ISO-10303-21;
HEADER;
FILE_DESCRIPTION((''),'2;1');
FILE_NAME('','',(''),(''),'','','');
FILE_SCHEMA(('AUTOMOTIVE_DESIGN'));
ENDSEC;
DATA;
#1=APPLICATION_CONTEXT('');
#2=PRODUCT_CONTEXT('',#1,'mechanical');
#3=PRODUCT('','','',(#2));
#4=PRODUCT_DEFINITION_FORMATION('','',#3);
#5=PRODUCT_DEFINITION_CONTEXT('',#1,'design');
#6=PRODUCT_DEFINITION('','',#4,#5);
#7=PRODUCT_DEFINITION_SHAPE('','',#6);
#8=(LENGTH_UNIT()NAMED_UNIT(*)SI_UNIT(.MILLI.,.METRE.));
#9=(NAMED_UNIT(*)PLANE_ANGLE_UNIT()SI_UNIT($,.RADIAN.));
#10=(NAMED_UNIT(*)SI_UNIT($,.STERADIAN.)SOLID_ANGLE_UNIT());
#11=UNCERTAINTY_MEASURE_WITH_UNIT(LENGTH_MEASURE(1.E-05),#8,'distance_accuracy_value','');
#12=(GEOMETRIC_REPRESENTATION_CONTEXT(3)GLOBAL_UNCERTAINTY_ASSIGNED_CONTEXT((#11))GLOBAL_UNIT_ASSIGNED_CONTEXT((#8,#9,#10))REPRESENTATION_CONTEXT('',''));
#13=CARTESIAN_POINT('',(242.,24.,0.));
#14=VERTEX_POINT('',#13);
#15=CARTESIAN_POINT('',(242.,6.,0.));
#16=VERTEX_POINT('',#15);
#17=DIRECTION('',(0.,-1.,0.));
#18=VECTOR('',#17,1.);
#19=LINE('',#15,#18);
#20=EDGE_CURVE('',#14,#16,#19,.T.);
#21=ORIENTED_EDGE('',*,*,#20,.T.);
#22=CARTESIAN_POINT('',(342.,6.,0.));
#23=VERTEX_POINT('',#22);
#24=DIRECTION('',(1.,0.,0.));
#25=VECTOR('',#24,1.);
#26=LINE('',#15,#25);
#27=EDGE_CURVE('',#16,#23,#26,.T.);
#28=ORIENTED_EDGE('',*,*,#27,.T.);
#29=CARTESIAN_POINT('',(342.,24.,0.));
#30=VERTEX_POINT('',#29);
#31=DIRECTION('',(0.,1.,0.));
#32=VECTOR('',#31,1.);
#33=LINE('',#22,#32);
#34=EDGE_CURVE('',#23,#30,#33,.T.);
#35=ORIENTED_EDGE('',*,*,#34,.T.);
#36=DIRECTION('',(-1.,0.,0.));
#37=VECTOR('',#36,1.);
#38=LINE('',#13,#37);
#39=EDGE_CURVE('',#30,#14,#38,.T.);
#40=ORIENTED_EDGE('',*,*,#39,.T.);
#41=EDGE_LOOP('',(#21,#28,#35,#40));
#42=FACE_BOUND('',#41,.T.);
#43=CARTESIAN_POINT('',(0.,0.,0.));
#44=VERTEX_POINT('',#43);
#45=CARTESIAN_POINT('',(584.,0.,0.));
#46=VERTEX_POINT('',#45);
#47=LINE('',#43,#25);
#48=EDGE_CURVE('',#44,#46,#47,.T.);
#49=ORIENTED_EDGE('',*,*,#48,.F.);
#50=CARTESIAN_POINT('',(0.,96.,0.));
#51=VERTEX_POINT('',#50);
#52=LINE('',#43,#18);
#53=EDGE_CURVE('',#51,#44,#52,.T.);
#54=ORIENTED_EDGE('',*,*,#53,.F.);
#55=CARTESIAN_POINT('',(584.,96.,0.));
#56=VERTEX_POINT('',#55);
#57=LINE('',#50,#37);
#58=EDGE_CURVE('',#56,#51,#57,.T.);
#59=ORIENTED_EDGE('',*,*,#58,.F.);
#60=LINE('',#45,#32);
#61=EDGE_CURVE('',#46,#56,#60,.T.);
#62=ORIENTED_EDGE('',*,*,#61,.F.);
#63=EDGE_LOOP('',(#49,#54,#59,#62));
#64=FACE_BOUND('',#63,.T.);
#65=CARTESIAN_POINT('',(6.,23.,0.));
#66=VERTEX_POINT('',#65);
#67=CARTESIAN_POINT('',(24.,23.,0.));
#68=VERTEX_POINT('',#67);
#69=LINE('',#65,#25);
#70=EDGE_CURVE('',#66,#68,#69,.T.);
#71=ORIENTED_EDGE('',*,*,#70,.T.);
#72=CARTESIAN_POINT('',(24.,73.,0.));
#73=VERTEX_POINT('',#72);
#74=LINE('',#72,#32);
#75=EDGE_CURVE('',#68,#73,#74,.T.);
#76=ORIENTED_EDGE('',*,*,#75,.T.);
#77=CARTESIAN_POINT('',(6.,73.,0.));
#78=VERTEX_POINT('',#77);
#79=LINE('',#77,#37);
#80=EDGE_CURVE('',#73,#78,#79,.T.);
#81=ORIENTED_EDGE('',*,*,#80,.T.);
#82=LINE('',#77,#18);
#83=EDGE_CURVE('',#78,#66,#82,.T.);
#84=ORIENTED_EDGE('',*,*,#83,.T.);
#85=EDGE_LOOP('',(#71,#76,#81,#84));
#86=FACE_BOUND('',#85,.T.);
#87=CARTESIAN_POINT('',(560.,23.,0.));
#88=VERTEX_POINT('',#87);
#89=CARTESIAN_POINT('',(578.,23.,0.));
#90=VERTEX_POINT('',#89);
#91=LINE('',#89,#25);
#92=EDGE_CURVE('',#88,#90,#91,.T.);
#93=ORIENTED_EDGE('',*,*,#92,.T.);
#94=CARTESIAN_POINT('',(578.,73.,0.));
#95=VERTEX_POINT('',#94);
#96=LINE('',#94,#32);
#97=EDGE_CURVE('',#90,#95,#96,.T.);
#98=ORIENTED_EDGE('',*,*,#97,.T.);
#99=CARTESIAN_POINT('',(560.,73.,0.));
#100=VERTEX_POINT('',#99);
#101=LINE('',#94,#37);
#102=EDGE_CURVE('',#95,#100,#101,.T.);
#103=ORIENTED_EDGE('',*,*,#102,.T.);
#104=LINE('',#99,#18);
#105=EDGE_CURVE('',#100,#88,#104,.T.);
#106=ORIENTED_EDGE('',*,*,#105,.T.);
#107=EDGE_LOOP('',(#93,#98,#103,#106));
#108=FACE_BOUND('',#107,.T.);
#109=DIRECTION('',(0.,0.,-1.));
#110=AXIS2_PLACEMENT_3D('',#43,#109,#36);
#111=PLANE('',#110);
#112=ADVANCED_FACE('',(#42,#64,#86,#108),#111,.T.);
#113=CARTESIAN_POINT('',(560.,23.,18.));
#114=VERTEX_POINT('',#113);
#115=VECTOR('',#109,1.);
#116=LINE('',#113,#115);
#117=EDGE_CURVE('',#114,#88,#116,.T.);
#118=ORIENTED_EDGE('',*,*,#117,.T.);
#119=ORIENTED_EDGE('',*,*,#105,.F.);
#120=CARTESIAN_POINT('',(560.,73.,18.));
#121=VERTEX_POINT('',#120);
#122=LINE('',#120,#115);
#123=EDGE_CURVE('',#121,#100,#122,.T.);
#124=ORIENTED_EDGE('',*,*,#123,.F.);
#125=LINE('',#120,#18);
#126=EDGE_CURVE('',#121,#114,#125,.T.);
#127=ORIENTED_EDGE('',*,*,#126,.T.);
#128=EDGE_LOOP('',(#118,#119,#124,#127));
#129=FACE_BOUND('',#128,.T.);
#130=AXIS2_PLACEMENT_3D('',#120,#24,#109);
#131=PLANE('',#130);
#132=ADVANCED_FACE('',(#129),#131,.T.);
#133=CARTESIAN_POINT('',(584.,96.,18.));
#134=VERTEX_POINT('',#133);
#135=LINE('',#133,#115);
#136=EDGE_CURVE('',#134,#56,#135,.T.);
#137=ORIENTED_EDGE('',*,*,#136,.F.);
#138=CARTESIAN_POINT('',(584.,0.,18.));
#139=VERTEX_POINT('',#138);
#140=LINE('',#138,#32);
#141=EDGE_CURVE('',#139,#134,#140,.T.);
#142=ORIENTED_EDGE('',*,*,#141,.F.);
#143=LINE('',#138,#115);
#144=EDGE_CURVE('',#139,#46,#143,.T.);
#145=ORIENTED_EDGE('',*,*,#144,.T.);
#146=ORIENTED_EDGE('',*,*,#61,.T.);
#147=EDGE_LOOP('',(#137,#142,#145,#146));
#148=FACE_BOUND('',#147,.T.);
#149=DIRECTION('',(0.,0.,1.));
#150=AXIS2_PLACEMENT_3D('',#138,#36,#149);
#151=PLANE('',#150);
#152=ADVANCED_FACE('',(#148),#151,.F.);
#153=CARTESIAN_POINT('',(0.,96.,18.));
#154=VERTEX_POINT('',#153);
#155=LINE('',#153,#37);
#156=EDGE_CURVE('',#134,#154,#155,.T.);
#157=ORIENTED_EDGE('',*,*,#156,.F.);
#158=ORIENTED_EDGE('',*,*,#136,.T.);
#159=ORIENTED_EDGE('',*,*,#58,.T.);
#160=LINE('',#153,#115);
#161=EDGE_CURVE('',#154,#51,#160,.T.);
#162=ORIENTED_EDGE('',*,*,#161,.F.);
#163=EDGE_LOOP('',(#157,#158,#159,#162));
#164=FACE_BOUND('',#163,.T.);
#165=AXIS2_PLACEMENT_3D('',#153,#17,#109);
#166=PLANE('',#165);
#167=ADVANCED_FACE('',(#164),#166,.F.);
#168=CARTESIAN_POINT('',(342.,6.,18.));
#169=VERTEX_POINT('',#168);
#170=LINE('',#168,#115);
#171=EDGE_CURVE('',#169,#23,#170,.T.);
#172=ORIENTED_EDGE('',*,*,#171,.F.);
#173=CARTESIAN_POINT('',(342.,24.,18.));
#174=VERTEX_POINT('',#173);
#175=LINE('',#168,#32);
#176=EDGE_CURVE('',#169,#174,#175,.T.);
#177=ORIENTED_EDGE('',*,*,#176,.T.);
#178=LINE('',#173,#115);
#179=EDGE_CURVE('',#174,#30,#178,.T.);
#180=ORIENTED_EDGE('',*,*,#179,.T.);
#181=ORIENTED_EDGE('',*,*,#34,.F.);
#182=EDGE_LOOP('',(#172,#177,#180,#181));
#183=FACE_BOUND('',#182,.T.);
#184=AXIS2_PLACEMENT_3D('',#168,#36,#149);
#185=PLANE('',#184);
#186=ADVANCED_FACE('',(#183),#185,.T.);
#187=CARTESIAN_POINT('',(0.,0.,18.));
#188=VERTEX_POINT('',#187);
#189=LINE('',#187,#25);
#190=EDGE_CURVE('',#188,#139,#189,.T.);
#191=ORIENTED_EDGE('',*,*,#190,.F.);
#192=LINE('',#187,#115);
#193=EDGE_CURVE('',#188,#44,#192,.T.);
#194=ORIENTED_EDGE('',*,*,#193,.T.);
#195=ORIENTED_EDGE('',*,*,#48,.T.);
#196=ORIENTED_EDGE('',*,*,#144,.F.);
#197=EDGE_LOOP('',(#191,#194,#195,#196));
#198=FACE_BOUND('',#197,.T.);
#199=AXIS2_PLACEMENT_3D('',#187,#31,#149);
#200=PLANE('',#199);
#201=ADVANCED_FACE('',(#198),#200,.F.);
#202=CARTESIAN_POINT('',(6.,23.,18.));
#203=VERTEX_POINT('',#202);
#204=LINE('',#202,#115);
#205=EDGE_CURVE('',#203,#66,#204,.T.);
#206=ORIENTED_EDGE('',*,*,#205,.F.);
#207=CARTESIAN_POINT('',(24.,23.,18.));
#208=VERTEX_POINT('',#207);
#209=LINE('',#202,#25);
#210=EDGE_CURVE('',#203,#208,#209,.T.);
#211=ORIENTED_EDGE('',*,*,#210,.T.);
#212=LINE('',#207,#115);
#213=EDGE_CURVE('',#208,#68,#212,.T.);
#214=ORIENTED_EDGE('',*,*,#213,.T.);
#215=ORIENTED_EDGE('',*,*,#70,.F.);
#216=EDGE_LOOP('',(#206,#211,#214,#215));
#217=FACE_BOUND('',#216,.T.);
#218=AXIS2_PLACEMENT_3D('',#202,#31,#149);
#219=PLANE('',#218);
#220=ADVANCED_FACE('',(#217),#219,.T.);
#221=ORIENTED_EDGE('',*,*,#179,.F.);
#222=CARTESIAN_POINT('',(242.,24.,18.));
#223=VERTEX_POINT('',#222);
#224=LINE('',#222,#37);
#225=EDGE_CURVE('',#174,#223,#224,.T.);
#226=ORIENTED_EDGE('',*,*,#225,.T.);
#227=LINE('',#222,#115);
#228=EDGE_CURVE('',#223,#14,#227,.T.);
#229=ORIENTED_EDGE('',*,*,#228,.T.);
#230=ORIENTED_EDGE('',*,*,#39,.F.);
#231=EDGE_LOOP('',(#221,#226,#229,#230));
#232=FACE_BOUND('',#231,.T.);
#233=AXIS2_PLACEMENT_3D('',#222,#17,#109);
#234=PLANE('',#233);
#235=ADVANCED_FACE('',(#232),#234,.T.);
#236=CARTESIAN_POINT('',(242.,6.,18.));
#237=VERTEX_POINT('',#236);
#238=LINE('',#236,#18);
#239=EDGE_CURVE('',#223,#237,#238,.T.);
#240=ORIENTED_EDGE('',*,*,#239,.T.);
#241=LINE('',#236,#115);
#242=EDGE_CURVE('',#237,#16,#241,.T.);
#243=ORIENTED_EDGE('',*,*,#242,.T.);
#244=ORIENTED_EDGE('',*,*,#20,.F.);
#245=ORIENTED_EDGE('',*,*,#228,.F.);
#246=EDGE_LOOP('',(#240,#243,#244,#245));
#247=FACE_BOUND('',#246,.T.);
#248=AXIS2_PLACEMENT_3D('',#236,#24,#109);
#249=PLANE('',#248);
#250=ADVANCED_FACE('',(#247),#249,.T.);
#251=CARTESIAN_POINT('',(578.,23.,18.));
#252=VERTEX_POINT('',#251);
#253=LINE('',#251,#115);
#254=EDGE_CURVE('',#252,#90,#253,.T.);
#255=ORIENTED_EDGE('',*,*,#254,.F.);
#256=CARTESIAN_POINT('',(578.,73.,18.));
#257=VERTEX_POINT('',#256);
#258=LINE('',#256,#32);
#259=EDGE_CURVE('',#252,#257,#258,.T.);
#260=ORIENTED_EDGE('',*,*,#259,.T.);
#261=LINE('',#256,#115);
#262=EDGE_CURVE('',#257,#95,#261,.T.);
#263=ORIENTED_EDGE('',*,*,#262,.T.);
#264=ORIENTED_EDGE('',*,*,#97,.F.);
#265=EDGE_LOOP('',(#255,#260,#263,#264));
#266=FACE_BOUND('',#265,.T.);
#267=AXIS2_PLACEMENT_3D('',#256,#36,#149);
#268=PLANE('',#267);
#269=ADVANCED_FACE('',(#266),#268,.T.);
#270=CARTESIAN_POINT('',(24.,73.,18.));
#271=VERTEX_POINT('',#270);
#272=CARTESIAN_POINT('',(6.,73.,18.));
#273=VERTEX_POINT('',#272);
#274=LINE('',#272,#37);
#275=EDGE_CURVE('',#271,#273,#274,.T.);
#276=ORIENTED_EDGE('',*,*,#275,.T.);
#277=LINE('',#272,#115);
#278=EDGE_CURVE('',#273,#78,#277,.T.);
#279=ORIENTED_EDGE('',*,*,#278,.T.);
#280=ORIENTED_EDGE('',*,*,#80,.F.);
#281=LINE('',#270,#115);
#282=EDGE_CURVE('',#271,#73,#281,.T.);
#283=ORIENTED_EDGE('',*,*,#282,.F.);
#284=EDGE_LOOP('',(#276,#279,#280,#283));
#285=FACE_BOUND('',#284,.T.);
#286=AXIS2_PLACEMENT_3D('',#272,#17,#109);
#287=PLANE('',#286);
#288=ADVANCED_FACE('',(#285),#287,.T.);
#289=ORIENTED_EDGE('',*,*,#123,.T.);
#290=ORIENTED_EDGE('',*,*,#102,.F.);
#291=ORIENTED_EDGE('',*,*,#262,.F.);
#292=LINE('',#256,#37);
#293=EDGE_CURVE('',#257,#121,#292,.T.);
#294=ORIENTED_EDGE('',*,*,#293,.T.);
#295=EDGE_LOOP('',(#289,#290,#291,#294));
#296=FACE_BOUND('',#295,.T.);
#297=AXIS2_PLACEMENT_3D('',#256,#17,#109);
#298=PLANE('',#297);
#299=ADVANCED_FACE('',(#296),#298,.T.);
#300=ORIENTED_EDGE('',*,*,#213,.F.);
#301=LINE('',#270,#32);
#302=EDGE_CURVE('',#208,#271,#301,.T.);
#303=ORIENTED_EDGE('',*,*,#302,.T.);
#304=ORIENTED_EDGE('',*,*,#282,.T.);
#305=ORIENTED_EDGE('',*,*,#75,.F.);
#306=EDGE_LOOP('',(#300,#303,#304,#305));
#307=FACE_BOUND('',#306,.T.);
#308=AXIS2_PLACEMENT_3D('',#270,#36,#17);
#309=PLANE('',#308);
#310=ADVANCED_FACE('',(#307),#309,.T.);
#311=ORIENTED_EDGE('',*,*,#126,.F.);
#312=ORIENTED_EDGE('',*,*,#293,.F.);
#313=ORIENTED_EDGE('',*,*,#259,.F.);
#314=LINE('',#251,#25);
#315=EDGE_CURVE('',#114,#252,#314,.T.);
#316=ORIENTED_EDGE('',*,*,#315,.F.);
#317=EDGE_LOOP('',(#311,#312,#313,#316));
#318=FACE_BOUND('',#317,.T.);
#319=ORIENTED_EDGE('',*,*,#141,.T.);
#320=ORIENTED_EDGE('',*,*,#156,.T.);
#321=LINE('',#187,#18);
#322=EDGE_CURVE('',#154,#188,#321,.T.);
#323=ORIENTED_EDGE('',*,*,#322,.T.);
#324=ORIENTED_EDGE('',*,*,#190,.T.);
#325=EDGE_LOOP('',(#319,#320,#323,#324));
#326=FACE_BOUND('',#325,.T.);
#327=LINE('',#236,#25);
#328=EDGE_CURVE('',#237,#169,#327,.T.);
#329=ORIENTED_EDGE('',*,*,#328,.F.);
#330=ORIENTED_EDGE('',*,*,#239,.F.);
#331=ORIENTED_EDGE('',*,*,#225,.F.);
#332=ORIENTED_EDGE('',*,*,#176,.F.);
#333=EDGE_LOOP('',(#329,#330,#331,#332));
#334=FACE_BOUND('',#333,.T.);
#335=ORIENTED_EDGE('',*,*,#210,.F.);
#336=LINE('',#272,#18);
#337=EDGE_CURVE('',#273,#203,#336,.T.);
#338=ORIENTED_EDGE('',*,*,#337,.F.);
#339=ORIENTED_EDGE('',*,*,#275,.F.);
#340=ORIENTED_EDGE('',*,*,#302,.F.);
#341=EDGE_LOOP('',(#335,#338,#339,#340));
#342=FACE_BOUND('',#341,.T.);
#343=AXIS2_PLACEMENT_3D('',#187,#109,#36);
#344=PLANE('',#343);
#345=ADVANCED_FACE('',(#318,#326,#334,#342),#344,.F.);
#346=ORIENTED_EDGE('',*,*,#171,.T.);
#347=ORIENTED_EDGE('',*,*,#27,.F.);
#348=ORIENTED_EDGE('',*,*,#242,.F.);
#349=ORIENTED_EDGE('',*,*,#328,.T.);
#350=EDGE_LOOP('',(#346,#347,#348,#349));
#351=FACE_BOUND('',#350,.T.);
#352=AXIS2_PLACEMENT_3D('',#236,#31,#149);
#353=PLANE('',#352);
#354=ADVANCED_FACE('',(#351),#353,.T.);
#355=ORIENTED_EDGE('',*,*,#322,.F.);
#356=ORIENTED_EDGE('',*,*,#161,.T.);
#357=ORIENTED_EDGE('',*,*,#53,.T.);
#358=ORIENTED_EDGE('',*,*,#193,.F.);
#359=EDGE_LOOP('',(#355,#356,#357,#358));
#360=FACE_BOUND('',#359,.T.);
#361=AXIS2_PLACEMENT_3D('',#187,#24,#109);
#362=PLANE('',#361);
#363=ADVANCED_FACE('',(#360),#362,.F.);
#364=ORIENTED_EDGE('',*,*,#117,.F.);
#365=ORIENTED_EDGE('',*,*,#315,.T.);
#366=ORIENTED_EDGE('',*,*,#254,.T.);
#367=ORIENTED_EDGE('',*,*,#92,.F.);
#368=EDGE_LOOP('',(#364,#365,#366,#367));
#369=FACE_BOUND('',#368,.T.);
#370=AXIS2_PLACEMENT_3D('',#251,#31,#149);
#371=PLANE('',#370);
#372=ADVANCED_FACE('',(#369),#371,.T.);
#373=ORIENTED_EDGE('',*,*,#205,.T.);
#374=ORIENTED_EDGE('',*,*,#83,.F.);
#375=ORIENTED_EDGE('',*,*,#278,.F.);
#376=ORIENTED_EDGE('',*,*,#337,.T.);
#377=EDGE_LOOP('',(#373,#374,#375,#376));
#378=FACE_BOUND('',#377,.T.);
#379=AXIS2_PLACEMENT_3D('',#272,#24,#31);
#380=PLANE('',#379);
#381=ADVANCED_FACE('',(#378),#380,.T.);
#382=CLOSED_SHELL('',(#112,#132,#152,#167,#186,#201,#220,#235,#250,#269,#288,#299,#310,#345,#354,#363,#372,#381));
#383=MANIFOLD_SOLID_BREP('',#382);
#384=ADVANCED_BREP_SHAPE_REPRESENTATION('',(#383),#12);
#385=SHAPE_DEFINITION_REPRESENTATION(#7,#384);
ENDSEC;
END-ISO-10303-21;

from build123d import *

# Parameters (mm, degrees)
SKETCH1_W           = 584
SKETCH1_H           = 96
SKETCH1_W_2         = 100
SKETCH1_H_2         = 18
SKETCH1_W_3         = 18
SKETCH1_H_3         = 50
BOSS_EXTRUDE6_DEPTH = 18


with BuildPart() as part:
    # Sketch1 → Boss-Extrude6 (new body)
    with BuildSketch(Plane.XY):
        with Locations((292, 48)):
            Rectangle(SKETCH1_W, SKETCH1_H)
        with Locations((292, 15)):
            Rectangle(SKETCH1_W_2, SKETCH1_H_2, mode=Mode.SUBTRACT)
        with Locations((569, 48)):
            Rectangle(SKETCH1_W_3, SKETCH1_H_3, mode=Mode.SUBTRACT)
        with Locations((15, 48)):
            Rectangle(SKETCH1_W_3, SKETCH1_H_3, mode=Mode.SUBTRACT)
    extrude(amount=BOSS_EXTRUDE6_DEPTH)


solid = part.part
